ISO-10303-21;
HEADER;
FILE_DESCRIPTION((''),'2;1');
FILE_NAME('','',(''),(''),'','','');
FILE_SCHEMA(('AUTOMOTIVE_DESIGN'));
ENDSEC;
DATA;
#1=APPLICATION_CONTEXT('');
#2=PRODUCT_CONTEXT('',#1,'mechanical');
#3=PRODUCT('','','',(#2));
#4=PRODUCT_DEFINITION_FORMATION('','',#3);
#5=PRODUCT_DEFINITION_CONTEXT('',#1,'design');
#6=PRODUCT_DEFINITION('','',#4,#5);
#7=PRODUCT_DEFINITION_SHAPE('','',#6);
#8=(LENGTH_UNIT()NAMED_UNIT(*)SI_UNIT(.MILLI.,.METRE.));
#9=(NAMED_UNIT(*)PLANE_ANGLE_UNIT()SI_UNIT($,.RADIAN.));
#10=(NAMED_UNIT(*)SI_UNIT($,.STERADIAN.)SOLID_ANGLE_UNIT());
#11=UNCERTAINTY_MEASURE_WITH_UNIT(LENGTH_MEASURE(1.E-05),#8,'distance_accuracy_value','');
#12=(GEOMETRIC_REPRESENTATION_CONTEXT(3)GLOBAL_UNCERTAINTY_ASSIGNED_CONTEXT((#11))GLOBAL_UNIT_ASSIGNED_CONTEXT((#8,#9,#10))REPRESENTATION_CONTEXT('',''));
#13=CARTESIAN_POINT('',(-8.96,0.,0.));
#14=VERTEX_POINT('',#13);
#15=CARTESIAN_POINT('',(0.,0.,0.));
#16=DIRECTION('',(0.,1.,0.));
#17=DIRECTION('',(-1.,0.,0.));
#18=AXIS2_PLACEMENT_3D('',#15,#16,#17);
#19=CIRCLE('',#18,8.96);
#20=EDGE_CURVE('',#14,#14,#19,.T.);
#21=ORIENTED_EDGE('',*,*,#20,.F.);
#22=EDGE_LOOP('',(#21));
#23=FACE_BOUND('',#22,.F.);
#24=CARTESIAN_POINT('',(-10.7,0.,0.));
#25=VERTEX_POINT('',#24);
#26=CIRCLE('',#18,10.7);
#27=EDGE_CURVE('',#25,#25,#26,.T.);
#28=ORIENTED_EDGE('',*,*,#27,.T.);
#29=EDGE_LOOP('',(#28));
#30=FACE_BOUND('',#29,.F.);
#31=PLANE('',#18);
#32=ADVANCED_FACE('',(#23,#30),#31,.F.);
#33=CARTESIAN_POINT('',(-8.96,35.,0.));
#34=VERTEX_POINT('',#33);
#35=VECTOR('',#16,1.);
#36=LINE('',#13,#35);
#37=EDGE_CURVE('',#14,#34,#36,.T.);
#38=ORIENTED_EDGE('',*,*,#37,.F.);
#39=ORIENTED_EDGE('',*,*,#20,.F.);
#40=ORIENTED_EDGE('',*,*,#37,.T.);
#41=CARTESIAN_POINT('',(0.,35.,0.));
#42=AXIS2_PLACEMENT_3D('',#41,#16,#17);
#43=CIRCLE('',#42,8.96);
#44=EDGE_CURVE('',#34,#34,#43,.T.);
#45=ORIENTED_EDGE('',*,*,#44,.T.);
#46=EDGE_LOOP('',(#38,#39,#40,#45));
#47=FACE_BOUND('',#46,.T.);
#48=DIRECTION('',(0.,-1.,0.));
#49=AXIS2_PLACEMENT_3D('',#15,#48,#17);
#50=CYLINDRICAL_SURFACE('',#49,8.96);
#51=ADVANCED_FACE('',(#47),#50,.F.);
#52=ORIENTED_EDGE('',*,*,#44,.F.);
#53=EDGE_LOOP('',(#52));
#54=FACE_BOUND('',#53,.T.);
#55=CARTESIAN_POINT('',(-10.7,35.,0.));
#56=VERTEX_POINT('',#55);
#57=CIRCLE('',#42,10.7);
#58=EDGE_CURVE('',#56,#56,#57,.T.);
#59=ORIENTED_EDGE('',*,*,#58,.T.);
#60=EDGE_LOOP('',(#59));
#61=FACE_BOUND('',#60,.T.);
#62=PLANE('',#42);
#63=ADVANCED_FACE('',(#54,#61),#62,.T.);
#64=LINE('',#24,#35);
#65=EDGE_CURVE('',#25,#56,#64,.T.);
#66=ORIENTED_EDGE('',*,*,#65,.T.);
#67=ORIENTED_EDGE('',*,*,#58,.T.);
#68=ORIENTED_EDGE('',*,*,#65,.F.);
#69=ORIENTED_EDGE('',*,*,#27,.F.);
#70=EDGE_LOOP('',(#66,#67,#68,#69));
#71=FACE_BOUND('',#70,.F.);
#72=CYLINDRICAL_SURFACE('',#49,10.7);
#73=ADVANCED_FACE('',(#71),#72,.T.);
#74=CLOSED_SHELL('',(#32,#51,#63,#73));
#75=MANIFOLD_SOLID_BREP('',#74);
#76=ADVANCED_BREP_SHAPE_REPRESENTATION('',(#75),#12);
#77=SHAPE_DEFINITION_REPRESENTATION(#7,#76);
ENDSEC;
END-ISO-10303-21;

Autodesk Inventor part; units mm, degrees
ref_plane "YZ Plane" through (0, 0, 0) normal (1, 0, 0) x (0, 1, 0)
ref_plane "XZ Plane" through (0, 0, 0) normal (0, 1, 0) x (-1, 0, 0)
ref_plane "XY Plane" through (0, 0, 0) normal (0, 0, 1) x (1, 0, 0)
sketch "Boceto2" plane through (0, 0, 0) normal (0, 1, 0) x (-1, 0, 0)
  circle A0 centre (0, 0) radius 8.96
  circle A1 centre (0, 0) radius 10.7
  dimension "d0" = 17.92
  dimension "d1" = 21.4
extrude "Extrusión1" add sketch "Boceto2" along normal blind 35
properties part number "Tubo 12 35"
